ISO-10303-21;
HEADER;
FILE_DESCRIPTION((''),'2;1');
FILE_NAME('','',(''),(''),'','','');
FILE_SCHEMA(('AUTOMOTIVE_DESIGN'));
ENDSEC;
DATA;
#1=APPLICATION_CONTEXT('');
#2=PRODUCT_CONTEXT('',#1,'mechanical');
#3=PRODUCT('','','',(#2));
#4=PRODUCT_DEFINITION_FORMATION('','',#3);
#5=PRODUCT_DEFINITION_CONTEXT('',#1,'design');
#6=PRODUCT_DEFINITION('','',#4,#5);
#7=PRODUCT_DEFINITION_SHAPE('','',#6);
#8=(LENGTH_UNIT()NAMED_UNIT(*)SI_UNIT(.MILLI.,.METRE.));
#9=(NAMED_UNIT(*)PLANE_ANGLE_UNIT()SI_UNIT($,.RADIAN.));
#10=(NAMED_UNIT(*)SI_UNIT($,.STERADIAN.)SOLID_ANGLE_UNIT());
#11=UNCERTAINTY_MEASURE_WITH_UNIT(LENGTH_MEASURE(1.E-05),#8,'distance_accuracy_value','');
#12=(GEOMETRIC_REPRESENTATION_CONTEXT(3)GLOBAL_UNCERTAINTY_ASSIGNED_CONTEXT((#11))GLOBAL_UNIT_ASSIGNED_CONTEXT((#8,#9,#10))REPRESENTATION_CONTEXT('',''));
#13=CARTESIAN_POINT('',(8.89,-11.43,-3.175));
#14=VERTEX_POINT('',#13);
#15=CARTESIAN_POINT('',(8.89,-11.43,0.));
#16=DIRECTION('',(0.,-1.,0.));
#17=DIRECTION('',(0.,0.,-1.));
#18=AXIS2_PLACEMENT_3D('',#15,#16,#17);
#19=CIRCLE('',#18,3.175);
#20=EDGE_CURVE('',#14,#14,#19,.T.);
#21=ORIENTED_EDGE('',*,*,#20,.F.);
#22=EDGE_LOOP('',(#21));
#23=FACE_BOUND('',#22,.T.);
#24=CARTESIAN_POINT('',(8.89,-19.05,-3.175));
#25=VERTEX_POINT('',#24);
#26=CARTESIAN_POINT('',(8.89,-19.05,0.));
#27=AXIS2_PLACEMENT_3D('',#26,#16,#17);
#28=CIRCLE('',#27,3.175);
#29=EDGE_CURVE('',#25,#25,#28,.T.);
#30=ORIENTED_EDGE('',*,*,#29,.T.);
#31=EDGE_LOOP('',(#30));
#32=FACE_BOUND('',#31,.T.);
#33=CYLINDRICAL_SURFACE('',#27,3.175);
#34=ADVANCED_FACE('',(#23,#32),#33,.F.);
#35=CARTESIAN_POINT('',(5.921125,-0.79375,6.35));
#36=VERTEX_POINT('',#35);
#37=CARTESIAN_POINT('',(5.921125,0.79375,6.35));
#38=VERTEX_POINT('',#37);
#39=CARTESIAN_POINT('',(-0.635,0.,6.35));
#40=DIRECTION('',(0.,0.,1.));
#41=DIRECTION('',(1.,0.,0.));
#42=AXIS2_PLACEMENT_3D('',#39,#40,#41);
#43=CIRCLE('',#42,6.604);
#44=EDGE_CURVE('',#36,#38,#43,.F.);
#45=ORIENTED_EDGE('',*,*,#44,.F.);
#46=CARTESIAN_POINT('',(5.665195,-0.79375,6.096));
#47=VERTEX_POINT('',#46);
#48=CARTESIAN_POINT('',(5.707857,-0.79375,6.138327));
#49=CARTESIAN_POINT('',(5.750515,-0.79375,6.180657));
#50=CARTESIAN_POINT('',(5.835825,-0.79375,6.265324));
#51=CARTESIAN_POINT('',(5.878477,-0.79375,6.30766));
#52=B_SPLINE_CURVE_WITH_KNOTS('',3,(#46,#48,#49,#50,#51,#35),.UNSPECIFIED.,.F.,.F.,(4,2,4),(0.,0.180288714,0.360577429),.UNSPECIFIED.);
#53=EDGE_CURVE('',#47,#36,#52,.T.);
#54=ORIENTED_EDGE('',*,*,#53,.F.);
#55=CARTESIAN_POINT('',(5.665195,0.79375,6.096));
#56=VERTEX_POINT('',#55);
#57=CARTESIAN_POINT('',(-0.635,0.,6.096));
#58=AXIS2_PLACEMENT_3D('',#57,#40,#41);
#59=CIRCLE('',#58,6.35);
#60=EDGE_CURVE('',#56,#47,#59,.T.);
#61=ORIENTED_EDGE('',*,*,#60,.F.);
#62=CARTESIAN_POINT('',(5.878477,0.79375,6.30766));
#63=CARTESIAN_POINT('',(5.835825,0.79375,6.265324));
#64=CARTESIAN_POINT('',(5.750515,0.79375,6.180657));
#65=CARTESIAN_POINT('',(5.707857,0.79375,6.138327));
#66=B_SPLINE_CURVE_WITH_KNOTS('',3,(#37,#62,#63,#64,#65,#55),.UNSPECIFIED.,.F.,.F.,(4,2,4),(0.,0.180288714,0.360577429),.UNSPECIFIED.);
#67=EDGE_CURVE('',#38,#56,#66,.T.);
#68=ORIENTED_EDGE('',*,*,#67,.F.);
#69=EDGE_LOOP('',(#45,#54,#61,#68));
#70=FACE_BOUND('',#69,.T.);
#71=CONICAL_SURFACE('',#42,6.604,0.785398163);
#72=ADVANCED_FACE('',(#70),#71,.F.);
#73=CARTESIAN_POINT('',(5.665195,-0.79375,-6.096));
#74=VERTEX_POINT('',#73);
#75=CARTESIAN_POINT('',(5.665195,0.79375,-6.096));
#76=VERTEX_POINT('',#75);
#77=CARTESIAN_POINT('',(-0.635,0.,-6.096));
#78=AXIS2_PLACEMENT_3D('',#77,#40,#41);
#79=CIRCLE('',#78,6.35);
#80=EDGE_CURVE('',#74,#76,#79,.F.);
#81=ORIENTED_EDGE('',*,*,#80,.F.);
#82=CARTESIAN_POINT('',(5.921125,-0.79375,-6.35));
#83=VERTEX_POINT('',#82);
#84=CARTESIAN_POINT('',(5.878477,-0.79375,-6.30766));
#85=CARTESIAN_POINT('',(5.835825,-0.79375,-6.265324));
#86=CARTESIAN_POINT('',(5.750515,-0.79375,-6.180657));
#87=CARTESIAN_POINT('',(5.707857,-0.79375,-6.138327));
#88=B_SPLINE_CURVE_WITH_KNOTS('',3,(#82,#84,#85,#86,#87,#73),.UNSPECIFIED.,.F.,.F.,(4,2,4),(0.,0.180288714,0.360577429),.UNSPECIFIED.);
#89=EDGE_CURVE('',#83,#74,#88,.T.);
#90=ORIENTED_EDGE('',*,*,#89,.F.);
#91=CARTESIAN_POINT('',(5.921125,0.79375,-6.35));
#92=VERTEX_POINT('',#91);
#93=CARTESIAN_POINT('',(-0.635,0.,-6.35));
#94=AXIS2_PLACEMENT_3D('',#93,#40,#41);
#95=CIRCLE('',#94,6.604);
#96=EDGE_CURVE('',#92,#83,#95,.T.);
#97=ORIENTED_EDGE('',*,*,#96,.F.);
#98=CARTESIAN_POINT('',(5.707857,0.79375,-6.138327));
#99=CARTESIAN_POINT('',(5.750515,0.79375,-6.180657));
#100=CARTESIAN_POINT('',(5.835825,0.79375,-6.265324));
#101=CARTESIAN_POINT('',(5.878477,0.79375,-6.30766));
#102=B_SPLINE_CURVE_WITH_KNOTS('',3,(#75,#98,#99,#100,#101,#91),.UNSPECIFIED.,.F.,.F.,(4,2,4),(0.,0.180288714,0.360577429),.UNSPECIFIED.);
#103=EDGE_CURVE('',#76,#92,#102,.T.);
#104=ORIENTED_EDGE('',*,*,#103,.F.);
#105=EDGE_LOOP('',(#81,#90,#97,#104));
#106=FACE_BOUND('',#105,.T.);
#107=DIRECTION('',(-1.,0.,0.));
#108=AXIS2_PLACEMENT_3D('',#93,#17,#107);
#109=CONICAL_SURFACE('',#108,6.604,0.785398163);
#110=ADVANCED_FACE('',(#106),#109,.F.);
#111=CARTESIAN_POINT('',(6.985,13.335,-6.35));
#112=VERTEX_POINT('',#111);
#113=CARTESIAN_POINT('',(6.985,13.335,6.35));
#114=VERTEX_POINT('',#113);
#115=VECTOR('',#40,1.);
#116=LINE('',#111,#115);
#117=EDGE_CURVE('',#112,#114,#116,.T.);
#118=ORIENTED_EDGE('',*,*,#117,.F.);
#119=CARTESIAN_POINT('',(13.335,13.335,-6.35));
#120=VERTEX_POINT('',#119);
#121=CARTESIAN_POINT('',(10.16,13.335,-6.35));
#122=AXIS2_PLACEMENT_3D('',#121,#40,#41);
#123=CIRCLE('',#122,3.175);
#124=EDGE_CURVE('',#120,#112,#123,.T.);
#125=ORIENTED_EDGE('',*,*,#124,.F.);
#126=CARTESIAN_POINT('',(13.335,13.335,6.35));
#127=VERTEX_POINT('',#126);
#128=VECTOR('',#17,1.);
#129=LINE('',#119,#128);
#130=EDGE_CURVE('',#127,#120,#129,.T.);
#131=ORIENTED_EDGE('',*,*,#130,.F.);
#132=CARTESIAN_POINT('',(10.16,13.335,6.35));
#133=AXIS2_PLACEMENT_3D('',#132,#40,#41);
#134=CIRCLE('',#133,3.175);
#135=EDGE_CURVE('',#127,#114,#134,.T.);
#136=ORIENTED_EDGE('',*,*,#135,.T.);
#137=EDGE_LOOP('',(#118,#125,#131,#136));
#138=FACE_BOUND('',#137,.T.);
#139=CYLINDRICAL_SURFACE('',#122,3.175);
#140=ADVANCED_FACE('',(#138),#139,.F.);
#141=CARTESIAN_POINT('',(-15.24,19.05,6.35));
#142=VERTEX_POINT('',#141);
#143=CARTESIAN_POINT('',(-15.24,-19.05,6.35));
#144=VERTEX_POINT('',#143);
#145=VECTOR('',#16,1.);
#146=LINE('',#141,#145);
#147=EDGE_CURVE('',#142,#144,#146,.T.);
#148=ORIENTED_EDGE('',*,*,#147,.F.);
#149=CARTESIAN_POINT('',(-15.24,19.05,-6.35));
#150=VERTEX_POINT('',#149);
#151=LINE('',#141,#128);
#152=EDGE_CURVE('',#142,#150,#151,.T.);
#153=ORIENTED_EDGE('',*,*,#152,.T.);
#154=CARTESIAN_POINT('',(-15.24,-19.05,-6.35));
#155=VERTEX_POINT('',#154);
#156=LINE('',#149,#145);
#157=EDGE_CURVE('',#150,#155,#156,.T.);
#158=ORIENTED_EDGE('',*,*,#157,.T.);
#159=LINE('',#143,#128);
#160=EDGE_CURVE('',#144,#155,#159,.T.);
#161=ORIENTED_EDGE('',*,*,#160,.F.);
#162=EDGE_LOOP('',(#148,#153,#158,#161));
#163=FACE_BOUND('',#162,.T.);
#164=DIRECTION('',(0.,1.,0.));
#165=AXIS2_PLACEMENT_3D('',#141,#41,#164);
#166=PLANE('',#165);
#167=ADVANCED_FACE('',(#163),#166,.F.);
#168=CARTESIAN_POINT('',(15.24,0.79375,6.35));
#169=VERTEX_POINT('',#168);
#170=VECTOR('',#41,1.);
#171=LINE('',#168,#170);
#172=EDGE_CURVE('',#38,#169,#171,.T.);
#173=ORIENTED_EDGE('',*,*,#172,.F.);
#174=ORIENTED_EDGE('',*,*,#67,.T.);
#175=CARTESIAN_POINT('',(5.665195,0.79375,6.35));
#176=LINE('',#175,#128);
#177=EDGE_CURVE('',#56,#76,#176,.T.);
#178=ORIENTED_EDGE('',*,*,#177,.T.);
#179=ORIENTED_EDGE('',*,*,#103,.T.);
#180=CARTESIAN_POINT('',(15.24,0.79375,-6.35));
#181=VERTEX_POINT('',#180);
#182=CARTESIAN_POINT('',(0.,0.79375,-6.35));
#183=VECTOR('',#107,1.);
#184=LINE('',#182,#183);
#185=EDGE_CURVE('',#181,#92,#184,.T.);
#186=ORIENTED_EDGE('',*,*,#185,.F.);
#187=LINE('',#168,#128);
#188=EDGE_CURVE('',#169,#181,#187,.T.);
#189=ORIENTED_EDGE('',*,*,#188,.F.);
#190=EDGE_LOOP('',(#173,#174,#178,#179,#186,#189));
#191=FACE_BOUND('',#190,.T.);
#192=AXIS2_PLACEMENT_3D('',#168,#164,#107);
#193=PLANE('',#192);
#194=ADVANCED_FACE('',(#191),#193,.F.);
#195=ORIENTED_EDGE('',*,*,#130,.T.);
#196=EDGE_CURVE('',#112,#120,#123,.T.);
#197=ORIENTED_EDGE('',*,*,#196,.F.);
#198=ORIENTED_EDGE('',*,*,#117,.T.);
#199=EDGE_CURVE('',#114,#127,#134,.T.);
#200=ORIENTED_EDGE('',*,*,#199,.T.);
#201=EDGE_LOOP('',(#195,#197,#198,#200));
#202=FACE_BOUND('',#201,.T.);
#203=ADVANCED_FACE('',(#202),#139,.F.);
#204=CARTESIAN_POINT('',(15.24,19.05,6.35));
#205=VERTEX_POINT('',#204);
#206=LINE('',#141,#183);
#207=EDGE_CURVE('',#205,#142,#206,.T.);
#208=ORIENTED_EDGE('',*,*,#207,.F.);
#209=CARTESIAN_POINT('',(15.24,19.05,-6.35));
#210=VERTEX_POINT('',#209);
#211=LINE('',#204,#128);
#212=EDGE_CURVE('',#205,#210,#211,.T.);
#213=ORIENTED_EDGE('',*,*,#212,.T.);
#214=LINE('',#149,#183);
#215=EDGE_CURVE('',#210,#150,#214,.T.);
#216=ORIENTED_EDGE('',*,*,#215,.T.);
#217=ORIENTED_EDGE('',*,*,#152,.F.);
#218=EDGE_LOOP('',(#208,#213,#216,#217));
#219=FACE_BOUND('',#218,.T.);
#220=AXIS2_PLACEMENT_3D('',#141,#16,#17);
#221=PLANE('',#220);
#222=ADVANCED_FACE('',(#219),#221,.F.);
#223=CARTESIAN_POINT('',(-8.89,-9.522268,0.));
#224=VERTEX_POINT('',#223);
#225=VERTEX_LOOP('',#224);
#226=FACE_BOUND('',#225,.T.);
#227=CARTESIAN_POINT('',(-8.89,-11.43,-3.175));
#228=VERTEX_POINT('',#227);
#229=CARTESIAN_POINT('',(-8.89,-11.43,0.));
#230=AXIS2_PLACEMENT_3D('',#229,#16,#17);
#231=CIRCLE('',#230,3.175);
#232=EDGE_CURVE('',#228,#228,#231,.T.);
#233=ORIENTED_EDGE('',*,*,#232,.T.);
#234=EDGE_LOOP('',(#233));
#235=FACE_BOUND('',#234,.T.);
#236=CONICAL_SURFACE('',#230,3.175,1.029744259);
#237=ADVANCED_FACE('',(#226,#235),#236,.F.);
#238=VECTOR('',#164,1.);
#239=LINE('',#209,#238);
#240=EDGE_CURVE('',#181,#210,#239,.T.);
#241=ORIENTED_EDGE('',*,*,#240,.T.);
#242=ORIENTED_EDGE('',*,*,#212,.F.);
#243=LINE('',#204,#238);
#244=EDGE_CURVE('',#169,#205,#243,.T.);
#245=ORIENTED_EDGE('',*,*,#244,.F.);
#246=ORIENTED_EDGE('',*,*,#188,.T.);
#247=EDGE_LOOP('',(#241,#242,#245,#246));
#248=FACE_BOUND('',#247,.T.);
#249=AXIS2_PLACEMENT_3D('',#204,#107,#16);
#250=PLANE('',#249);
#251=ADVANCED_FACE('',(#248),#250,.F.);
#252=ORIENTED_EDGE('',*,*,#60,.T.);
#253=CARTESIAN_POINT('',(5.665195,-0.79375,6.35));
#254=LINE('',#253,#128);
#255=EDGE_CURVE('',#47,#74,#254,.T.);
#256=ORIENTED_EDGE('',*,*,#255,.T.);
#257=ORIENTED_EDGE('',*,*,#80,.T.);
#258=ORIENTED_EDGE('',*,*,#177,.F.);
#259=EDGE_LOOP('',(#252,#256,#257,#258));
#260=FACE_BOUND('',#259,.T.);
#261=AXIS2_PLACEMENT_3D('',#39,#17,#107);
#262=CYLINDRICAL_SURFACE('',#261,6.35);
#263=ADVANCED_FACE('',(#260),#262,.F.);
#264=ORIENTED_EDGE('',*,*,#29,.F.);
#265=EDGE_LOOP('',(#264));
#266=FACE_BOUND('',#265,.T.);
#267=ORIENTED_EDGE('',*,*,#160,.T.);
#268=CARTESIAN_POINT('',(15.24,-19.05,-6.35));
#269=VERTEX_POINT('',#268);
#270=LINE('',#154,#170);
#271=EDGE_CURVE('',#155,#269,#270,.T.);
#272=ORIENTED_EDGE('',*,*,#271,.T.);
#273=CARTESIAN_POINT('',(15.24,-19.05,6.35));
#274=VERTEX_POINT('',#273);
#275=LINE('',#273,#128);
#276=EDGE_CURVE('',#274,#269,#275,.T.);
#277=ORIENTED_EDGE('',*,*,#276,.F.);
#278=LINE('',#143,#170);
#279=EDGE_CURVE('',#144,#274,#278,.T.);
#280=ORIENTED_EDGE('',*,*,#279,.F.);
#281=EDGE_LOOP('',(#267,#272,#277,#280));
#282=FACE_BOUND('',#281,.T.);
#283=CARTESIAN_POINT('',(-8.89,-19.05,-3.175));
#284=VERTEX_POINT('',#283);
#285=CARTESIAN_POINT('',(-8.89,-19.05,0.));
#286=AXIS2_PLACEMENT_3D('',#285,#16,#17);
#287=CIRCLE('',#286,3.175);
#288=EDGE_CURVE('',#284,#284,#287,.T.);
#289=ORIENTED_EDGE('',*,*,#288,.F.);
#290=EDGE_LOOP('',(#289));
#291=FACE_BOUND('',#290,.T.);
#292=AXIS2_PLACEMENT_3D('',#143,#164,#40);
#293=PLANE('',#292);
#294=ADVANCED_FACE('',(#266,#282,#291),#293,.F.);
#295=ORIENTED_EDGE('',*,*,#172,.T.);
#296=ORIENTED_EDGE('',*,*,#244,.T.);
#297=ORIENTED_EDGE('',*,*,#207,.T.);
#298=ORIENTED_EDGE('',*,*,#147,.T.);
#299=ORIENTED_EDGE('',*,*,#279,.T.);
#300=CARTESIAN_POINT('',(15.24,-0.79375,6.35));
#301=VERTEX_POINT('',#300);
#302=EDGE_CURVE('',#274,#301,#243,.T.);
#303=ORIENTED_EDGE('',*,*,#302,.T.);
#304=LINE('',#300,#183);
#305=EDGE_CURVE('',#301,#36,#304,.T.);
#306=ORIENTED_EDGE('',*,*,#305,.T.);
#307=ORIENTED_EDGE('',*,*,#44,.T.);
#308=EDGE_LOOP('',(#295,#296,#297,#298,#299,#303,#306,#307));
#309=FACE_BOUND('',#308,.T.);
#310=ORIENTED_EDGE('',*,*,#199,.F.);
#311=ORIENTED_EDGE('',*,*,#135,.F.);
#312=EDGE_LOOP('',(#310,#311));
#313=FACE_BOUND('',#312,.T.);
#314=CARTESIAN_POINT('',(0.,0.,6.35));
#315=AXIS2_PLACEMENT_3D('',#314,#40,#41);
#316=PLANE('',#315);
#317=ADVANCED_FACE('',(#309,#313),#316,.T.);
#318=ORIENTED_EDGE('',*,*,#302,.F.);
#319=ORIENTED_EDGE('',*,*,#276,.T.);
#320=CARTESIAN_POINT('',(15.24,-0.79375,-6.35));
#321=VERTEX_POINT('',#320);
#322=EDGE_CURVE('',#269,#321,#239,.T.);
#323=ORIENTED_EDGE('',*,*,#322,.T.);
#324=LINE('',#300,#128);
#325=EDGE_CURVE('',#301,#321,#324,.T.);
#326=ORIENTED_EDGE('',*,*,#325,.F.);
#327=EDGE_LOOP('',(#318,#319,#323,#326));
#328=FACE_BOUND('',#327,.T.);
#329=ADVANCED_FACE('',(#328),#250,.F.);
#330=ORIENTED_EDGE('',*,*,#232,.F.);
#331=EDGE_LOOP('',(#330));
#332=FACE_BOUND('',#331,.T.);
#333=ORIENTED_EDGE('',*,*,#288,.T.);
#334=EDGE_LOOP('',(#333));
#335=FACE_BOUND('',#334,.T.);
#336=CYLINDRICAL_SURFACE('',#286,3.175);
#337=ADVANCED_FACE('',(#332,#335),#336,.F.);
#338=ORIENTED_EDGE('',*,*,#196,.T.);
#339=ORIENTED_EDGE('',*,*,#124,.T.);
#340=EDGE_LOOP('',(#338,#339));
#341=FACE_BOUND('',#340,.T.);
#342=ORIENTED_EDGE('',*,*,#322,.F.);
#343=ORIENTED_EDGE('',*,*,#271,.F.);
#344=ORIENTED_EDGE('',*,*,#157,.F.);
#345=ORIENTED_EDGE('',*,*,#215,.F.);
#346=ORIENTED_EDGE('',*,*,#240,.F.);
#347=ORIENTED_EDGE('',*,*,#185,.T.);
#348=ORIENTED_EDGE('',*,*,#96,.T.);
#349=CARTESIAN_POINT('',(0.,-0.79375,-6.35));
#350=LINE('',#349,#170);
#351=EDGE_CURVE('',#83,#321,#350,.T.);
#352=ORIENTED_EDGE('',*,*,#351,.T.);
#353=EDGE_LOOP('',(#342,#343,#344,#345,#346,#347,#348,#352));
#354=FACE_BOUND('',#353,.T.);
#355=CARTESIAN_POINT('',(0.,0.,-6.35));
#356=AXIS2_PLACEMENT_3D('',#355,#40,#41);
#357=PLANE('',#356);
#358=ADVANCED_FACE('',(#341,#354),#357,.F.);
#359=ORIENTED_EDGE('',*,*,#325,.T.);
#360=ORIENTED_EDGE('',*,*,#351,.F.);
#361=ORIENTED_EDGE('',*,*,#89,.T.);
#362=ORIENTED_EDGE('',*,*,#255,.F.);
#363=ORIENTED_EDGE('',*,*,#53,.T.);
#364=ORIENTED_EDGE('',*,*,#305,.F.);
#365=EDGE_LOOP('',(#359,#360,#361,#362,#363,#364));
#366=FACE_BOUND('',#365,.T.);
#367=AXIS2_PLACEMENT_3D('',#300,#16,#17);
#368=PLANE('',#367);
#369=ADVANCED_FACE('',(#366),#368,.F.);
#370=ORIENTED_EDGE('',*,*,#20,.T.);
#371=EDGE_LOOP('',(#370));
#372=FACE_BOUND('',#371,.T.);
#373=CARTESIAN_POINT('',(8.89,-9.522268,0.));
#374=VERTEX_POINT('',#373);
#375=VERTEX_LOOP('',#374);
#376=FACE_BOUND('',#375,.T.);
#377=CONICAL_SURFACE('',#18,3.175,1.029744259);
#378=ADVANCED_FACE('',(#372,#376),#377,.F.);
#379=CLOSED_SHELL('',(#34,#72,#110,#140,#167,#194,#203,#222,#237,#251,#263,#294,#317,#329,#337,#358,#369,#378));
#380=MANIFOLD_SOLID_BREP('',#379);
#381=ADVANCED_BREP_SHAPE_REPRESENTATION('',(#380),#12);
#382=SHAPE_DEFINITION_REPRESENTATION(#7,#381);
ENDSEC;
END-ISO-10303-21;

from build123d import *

# Parameters (mm, degrees)
SKETCH1_W           = 30.48
SKETCH1_H           = 38.1
BOSS_EXTRUDE1_DEPTH = 6.35
CUT_EXTRUDE2_DEPTH  = 13.7
CHAMFER1_SIZE       = 0.254
SKETCH8_R           = 3.175
CUT_EXTRUDE4_DEPTH  = 13.7


with BuildPart() as part:
    # Sketch1 → Boss-Extrude1 (new body, symmetric)
    with BuildSketch(Plane.XY):
        Rectangle(SKETCH1_W, SKETCH1_H)
    extrude(amount=BOSS_EXTRUDE1_DEPTH, both=True)

    # Sketch2 → Cut-Extrude2 (cut, through all)
    with BuildSketch(Plane.XY.offset(6.35)):
        with BuildLine():
            Line((97.980767498, 0.79375), (15.24, 0.79375))
            Line((15.24, 0.79375), (5.665195309, 0.79375))
            ThreePointArc((5.665195309, 0.79375), (-6.985, 0), (5.665195309, -0.79375))
            Line((5.665195309, -0.79375), (15.24, -0.79375))
            Line((15.24, -0.79375), (97.980767498, -0.79375))
            Line((97.980767498, -0.79375), (263.462302495, -0.79375))
            Line((263.462302495, -0.79375), (263.462302495, 0.79375))
            Line((263.462302495, 0.79375), (97.980767498, 0.79375))
        make_face()
    extrude(amount=-CUT_EXTRUDE2_DEPTH, mode=Mode.SUBTRACT)

    # Sketch6 → 1/4 (0.25) Diameter Hole1 (revolve, cut)
    with BuildSketch(Plane(origin=(8.89, -19.05, 0), x_dir=(0, 0, -1), z_dir=(1, 0, 0))):
        Polygon((0, 0), (0, 9.527732465), (3.175, 7.62), (3.175, 0), align=None)
    f_1_4_0_25_diameter_hole1 = revolve(axis=Axis((8.89, -25.4, 0), (0, 1, 0)), mode=Mode.SUBTRACT)

    # Chamfer1
    chamfer1_edges = [part.edges().sort_by_distance(p)[0] for p in [
        (-6.985, 0, -6.35),
        (-6.985, 0, 6.35),
    ]]
    chamfer(chamfer1_edges, length=CHAMFER1_SIZE)

    # Mirror1: 1/4 (0.25) Diameter Hole1 across plane
    add(f_1_4_0_25_diameter_hole1.mirror(Plane(origin=(0, 0, 0), x_dir=(0, 0, 1), z_dir=(1, 0, 0))), mode=Mode.SUBTRACT)

    # Sketch8 → Cut-Extrude4 (cut, through all)
    with BuildSketch(Plane.XY.offset(6.35)):
        with Locations((10.16, 13.335)):
            Circle(SKETCH8_R)
    extrude(amount=-CUT_EXTRUDE4_DEPTH, mode=Mode.SUBTRACT)


solid = part.part
